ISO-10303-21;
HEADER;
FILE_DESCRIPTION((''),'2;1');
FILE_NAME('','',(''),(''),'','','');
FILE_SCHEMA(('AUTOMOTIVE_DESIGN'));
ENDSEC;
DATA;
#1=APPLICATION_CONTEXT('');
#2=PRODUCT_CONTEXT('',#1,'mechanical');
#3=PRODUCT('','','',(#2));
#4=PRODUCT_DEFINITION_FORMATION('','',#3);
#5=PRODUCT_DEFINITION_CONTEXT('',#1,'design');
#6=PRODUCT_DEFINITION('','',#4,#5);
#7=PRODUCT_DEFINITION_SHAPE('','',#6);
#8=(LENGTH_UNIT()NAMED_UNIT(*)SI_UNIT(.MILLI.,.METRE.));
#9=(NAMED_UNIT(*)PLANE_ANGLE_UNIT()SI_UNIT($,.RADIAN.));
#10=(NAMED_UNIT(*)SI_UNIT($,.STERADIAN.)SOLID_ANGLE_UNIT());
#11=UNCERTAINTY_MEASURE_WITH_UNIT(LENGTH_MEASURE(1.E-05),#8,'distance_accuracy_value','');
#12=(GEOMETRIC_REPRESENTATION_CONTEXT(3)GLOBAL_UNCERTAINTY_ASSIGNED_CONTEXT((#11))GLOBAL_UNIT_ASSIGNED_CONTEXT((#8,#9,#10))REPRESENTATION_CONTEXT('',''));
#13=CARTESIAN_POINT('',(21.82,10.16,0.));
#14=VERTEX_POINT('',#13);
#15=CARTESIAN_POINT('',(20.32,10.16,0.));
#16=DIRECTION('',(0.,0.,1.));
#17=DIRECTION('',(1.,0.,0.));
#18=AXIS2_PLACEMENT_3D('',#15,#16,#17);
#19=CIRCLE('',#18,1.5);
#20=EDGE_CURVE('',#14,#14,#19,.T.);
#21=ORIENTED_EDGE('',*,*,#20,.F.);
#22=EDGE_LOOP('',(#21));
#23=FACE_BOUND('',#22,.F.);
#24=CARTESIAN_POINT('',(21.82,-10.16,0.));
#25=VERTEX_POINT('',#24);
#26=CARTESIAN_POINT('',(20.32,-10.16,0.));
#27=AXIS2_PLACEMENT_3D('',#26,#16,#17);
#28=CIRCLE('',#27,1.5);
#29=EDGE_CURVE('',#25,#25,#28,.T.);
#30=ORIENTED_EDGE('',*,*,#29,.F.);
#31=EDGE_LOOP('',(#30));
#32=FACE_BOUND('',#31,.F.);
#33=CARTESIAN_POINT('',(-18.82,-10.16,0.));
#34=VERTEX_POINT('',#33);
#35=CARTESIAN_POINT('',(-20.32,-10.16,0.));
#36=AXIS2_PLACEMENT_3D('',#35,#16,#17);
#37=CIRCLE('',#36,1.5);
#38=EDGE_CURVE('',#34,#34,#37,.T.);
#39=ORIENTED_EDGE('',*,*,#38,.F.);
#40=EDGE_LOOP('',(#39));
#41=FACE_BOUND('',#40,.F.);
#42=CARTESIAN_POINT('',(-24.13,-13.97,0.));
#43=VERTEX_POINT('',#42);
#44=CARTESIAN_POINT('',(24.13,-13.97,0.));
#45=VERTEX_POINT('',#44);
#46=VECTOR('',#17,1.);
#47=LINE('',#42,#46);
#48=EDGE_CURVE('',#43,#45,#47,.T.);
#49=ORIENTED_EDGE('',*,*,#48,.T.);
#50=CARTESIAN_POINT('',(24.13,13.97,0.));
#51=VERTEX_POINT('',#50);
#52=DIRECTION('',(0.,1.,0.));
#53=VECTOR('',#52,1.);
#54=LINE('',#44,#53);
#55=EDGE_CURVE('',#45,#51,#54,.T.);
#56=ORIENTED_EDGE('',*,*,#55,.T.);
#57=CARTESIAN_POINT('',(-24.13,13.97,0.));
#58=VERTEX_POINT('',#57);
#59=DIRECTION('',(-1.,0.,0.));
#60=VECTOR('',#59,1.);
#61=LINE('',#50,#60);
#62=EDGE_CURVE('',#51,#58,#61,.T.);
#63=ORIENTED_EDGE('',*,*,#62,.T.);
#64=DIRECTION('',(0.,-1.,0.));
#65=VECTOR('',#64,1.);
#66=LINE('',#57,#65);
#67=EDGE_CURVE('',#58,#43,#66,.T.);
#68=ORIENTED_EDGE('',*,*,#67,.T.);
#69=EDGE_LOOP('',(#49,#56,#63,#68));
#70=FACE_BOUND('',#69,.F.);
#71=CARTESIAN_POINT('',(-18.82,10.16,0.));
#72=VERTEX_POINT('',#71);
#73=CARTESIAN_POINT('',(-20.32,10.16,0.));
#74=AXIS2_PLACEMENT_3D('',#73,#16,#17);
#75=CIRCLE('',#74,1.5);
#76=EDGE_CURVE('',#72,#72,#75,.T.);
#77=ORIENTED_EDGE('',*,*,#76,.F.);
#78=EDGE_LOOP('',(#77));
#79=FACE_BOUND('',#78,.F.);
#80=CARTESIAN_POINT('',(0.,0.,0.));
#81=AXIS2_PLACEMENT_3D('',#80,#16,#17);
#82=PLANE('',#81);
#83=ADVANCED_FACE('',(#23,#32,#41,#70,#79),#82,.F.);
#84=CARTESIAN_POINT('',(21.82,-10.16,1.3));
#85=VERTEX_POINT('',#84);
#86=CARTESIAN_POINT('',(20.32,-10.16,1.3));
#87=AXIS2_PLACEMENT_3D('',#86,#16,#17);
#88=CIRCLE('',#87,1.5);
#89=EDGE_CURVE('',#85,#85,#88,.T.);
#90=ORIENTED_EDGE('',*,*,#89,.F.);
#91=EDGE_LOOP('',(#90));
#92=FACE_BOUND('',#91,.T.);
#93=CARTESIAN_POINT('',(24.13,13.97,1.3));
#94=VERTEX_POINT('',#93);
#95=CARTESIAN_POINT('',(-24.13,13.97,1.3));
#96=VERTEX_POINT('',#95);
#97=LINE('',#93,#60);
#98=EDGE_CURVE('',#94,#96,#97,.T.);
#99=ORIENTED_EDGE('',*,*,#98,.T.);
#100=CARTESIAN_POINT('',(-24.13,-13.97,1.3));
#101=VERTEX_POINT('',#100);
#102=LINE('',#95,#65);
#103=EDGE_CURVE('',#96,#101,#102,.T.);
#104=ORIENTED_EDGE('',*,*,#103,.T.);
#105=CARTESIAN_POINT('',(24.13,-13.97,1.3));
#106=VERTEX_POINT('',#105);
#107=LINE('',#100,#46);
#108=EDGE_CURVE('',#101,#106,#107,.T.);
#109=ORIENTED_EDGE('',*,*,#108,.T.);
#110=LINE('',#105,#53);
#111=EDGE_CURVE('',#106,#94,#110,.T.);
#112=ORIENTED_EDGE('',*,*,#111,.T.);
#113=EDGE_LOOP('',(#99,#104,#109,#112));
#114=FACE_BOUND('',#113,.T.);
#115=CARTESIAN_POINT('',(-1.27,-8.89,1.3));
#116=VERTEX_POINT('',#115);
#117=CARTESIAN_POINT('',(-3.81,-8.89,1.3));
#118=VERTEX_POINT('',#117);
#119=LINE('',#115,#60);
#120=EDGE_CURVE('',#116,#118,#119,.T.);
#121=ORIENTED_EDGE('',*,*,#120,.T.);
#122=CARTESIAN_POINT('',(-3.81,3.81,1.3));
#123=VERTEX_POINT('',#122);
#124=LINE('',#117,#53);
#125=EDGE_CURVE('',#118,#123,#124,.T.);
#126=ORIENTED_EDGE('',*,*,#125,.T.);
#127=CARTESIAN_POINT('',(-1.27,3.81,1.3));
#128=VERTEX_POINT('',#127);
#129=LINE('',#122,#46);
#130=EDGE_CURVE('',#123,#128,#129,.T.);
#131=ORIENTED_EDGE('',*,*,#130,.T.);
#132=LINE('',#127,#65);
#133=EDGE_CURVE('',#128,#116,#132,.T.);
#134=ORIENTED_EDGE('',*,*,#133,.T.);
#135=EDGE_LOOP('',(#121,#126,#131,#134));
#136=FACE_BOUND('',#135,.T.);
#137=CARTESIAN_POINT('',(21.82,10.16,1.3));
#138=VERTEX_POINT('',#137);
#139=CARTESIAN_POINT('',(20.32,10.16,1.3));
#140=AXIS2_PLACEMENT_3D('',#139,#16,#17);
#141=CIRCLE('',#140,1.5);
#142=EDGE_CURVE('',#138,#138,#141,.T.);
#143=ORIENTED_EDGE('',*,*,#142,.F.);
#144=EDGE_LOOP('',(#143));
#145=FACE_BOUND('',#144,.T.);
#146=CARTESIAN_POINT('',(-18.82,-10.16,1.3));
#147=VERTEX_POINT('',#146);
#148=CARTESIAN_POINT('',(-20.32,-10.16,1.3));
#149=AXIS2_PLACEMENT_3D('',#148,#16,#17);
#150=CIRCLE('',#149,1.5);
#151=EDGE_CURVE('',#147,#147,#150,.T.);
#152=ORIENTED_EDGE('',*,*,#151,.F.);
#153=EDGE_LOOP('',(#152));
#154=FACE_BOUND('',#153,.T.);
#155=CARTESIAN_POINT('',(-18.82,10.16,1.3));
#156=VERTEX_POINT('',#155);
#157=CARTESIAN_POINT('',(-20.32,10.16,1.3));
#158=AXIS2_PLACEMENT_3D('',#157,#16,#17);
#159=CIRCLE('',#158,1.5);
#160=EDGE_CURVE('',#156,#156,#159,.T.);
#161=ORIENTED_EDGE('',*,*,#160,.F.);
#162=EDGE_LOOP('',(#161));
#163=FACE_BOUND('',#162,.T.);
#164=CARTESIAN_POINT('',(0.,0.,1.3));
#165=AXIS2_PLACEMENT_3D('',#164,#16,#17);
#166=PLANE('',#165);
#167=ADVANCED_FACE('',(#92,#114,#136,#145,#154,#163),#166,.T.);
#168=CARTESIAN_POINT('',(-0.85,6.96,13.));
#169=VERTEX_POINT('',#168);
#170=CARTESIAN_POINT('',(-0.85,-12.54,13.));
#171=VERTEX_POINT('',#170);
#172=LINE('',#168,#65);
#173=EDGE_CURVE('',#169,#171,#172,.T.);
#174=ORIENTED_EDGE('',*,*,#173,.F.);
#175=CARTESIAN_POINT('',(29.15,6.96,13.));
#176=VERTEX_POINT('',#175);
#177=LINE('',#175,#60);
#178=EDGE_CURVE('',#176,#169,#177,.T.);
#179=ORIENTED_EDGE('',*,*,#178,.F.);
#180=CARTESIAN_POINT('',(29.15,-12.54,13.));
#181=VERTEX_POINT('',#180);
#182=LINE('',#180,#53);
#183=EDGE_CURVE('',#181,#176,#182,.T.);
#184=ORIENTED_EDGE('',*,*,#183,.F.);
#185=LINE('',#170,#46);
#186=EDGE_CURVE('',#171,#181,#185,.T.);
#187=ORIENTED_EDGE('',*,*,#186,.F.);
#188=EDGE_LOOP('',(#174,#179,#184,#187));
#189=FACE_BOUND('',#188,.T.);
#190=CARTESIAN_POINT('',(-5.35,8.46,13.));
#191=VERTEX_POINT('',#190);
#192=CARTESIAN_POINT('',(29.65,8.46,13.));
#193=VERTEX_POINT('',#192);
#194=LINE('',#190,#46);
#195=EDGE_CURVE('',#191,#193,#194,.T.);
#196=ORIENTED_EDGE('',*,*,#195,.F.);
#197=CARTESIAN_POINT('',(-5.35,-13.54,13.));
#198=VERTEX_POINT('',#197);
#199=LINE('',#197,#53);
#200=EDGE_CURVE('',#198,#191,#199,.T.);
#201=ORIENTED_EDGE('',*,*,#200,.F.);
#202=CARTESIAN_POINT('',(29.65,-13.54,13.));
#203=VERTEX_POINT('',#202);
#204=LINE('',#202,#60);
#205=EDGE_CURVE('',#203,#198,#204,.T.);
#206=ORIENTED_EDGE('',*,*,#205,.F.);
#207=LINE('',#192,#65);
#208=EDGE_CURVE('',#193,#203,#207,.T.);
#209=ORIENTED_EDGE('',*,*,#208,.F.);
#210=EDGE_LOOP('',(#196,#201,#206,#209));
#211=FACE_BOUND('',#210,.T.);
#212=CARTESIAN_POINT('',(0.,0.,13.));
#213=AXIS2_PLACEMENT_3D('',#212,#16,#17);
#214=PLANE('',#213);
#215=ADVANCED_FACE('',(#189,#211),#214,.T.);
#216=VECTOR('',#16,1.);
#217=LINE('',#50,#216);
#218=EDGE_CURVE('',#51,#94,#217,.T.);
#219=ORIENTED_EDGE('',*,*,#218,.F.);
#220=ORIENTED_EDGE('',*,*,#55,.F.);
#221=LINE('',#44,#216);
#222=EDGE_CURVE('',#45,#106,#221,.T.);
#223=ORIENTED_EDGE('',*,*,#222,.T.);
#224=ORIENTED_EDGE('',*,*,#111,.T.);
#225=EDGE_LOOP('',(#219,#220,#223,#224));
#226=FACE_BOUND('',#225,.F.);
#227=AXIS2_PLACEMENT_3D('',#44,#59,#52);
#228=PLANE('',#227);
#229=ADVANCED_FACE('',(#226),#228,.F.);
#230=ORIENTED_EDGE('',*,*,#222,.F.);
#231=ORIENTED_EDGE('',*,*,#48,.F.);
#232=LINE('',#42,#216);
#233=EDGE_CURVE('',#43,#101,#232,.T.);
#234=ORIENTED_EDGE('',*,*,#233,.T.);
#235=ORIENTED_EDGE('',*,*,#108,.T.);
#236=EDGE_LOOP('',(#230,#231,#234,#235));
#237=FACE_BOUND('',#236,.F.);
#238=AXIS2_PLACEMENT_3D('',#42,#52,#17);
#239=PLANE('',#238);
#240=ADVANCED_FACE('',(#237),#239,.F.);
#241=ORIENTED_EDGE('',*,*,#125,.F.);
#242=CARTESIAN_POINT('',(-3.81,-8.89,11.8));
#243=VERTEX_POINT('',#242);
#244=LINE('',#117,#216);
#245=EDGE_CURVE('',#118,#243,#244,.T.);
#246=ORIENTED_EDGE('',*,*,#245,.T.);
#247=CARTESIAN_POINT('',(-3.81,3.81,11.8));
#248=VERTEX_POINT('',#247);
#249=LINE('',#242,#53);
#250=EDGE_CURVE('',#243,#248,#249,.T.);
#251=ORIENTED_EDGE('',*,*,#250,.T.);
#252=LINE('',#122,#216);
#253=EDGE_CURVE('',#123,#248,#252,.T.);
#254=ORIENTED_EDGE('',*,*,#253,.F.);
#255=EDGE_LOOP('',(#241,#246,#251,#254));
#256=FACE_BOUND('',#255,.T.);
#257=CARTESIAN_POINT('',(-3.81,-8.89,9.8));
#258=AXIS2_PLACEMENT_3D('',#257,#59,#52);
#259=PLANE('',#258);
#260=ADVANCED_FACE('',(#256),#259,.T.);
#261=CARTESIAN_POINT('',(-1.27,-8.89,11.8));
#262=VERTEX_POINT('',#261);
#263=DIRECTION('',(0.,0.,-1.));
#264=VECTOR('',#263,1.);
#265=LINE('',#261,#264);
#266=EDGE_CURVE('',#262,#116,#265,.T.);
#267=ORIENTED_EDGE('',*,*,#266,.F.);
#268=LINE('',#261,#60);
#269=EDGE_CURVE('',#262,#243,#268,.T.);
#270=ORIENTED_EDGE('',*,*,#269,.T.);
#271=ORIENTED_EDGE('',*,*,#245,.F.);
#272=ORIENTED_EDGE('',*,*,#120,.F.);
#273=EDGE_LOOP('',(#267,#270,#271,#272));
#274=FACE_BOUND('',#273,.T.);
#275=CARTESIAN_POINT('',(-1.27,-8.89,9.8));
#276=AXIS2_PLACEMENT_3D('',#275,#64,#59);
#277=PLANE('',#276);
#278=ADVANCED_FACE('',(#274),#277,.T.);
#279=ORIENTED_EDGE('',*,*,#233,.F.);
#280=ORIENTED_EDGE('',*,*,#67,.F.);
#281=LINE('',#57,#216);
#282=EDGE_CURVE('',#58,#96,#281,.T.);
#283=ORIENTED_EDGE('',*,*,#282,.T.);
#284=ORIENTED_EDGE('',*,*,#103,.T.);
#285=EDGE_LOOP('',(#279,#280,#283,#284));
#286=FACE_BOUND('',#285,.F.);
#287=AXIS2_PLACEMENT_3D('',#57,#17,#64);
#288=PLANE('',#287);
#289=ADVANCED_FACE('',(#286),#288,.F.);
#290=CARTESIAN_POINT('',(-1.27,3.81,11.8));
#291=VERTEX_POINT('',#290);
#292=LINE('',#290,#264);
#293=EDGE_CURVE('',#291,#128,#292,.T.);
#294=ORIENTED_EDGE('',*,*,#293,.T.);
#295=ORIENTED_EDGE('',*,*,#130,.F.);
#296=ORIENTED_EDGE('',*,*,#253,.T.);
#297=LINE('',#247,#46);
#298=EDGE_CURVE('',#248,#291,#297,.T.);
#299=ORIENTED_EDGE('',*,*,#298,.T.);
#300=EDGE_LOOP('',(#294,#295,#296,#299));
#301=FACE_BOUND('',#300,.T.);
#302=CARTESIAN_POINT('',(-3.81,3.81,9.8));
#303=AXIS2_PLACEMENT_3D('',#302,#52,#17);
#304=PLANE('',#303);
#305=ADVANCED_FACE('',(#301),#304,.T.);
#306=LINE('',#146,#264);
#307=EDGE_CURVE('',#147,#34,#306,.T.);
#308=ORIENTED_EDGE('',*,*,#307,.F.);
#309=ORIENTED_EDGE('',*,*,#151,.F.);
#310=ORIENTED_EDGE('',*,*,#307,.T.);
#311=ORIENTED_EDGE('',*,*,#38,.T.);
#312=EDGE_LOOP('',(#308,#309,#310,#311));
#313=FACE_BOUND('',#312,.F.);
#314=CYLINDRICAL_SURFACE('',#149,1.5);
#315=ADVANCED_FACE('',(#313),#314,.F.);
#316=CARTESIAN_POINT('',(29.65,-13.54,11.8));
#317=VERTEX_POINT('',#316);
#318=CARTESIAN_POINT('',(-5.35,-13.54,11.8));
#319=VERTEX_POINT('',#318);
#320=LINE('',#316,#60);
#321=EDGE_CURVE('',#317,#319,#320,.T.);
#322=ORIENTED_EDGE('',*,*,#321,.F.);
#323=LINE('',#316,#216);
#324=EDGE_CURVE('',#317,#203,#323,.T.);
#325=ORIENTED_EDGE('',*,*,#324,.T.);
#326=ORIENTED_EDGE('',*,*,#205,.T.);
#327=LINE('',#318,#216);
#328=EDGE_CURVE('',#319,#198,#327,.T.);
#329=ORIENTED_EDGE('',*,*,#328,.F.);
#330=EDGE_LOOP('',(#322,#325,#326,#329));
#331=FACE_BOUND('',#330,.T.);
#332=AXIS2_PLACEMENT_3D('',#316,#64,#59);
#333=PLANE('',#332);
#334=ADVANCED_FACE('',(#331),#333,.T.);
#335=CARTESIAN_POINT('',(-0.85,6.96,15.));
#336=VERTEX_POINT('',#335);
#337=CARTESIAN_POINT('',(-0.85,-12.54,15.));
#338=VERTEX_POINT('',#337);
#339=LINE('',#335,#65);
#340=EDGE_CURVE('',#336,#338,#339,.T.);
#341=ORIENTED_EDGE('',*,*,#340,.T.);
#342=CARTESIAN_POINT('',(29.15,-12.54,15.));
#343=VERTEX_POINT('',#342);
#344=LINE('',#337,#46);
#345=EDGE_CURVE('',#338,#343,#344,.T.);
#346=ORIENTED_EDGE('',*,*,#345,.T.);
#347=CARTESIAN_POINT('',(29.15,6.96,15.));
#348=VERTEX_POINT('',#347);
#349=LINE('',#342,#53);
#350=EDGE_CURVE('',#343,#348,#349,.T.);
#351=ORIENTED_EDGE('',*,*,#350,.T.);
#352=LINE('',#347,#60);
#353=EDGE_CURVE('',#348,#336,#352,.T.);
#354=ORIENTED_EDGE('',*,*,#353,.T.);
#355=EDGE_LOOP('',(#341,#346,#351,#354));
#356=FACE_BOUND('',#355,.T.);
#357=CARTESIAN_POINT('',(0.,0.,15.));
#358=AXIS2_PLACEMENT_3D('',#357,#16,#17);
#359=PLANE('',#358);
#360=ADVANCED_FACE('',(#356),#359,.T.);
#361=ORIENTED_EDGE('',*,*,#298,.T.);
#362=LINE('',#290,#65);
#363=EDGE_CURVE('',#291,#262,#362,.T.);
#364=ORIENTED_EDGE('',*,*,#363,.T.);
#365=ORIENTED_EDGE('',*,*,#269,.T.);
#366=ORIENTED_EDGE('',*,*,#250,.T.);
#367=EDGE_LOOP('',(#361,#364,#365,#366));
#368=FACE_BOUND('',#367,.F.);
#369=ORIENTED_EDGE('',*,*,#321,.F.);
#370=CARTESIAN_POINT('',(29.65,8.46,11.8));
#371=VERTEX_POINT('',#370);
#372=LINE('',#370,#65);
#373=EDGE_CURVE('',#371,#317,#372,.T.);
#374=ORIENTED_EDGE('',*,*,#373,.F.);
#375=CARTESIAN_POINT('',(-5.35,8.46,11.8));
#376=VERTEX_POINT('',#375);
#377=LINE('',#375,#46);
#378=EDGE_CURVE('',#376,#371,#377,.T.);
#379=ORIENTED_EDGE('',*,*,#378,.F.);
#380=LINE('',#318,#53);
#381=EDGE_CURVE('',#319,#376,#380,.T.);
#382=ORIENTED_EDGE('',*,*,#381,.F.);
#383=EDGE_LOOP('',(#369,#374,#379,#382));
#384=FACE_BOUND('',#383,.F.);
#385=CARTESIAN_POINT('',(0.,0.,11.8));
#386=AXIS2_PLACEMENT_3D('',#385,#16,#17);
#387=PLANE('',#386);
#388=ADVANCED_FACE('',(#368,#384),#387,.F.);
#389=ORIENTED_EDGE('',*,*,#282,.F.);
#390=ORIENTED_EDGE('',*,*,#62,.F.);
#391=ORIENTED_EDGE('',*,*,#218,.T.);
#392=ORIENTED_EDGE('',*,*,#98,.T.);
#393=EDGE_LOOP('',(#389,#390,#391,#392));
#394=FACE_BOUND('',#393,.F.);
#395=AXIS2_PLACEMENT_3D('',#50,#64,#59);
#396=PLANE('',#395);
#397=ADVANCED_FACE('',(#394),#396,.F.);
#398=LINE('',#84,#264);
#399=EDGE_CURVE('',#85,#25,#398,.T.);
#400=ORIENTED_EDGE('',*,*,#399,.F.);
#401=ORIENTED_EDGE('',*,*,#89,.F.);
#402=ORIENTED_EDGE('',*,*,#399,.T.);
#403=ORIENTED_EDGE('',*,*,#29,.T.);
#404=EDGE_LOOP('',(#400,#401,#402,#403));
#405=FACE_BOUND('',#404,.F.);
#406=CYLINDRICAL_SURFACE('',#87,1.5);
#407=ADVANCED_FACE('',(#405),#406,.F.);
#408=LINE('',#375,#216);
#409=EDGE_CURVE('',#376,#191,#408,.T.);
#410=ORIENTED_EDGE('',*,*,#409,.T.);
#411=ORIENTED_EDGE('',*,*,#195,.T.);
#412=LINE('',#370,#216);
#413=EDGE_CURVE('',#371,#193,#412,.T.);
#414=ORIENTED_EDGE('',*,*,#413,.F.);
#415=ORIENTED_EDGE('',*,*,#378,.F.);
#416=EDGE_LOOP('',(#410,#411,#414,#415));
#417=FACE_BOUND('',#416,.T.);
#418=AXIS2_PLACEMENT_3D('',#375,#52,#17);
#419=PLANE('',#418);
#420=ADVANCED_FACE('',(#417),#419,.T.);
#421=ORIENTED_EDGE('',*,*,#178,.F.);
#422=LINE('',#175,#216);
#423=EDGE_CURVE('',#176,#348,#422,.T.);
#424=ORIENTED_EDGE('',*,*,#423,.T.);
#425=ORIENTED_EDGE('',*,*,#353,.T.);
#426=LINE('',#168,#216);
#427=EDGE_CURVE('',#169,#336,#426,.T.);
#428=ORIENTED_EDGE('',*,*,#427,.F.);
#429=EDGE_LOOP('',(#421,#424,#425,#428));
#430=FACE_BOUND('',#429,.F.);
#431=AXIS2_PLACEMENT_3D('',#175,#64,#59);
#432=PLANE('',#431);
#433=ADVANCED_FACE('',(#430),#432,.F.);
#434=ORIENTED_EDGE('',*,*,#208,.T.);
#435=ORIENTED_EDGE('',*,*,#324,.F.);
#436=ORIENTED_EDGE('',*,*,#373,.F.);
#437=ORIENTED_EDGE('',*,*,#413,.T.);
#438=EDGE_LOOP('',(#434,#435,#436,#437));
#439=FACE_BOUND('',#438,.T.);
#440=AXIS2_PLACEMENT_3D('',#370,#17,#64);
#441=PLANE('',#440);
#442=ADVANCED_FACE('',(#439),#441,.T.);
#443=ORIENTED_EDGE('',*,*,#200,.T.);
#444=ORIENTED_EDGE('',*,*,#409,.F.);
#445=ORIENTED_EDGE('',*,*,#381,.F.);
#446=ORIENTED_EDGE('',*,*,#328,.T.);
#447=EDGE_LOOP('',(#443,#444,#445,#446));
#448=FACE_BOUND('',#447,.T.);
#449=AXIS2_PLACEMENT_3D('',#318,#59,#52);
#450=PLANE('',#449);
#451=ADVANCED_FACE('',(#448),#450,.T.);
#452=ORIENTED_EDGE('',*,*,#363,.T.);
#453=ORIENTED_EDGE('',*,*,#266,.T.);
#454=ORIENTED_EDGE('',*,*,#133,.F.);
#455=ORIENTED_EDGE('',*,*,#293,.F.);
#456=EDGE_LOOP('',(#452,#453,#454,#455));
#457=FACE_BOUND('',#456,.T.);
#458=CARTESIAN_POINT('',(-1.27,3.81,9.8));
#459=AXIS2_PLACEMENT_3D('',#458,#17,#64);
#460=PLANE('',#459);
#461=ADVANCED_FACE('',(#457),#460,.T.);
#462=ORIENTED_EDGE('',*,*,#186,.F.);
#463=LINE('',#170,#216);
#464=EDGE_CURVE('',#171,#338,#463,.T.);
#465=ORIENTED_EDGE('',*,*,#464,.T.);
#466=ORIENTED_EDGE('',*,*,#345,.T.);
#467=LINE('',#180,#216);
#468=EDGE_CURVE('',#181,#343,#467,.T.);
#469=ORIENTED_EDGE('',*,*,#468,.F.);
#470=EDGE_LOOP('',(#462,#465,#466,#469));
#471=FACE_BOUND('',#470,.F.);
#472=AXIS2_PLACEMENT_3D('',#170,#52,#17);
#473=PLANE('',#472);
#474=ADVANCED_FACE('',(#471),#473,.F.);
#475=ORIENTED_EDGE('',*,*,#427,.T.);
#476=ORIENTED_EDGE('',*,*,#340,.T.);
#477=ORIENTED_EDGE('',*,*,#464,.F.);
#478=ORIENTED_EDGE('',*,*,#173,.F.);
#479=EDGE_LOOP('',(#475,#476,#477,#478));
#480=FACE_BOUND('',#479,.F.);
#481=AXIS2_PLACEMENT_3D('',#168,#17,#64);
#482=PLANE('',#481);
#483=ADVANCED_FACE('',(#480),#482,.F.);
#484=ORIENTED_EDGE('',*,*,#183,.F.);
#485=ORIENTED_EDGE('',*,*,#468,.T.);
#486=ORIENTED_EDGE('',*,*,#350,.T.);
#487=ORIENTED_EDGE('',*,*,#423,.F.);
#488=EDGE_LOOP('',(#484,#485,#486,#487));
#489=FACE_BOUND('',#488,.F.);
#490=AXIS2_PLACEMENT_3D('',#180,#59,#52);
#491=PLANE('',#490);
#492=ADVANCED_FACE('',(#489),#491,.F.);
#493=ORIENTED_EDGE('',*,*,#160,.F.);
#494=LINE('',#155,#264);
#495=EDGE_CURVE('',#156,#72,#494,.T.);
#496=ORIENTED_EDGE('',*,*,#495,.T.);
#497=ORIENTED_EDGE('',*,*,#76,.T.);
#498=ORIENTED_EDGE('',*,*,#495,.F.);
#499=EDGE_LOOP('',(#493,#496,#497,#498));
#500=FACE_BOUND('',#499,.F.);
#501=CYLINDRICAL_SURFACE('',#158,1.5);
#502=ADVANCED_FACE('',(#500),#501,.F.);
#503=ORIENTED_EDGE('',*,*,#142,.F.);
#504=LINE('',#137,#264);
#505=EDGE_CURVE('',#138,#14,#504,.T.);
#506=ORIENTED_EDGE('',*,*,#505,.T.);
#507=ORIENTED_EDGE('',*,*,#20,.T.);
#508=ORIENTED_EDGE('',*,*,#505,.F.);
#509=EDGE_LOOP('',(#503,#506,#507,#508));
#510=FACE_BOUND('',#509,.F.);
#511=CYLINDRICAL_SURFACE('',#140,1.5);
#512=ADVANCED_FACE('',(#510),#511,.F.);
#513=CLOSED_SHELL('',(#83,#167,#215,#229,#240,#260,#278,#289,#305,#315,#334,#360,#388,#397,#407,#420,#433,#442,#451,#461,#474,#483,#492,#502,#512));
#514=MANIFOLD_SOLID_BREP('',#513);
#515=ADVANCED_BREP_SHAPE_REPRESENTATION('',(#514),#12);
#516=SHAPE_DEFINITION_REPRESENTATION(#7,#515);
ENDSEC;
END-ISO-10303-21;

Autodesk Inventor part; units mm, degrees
ref_plane "YZ Plane" through (0, 0, 0) normal (1, 0, 0) x (0, 1, 0)
ref_plane "XZ Plane" through (0, 0, 0) normal (0, 1, 0) x (-1, 0, 0)
ref_plane "XY Plane" through (0, 0, 0) normal (0, 0, 1) x (1, 0, 0)
sketch "スケッチ1" plane through (0, 0, 0) normal (0, 0, 1) x (1, 0, 0)
  line L0 (-24.13, -13.97) -> (24.13, -13.97)
  line L1 (24.13, -13.97) -> (24.13, 13.97)
  line L2 (24.13, 13.97) -> (-24.13, 13.97)
  line L3 (-24.13, 13.97) -> (-24.13, -13.97)
  point P0 (0, 0)
  point P1 (0, -13.97)
  point P2 (24.13, 0)
  dimension "d0" = 48.26
  dimension "d1" = 27.94
extrude "押し出し1" add sketch "スケッチ1" along normal blind 1.3
sketch "スケッチ2" plane through (0, 0, 1.3) normal (0, 0, 1) x (1, 0, 0)
  line L0 (-24.13, 13.97) -> (-24.13, -13.97) projected
  line L1 (24.13, 13.97) -> (-24.13, 13.97) projected
  line L2 (-24.13, -13.97) -> (24.13, -13.97) projected
  line L3 (24.13, -13.97) -> (24.13, 13.97) projected
  circle A0 centre (-20.32, 10.16) radius 1.5
  circle A1 centre (-20.32, -10.16) radius 1.5
  circle A2 centre (20.32, -10.16) radius 1.5
  circle A3 centre (20.32, 10.16) radius 1.5
  point P0 (0, 0)
  dimension "d4" = 3.81
  dimension "d5" = 3.81
  dimension "d6" = 3.81
  dimension "d7" = 3.81
  dimension "d8" = 3
extrude "押し出し2" cut sketch "スケッチ2" against normal blind 1.3 contours A0 | A1 | A2 | A3
sketch "スケッチ3" plane through (0, 0, 1.3) normal (0, 0, 1) x (1, 0, 0)
  circle A0 centre (-20.32, -10.16) radius 1.5 projected
  line L0 (-1.27, -8.89) -> (-3.81, -8.89)
  line L1 (-3.81, -8.89) -> (-3.81, 3.81)
  line L2 (-3.81, 3.81) -> (-1.27, 3.81)
  line L3 (-1.27, 3.81) -> (-1.27, -8.89)
  point P0 (0, 0)
  point P1 (-2.54, -7.62)
  point P2 (-2.54, -8.89)
  dimension "d11" = 17.78
  dimension "d12" = 2.54
  dimension "d13" = 2.54
  dimension "d14" = 12.7
  dimension "d15" = 1.27
extrude "押し出し3" add sketch "スケッチ3" along normal blind 8.5 contours L0 L1 L2 L3
sketch "スケッチ4" plane through (0, 0, 9.8) normal (0, 0, 1) x (1, 0, 0)
  line L0 (-3.81, 3.81) -> (-1.27, 3.81)
  line L1 (-1.27, 3.81) -> (-1.27, -8.89)
  line L2 (-1.27, -8.89) -> (-3.81, -8.89)
  line L3 (-3.81, -8.89) -> (-3.81, 3.81)
  point P0 (0, 0)
extrude "押し出し4" add sketch "スケッチ4" along normal blind 2
sketch "スケッチ5" plane through (0, 0, 11.8) normal (0, 0, 1) x (1, 0, 0)
  line L0 (-5.35, 8.46) -> (29.65, 8.46)
  line L1 (29.65, 8.46) -> (29.65, -13.54)
  line L2 (29.65, -13.54) -> (-5.35, -13.54)
  line L3 (-5.35, -13.54) -> (-5.35, 8.46)
  line L4 (-3.81, 3.81) -> (-3.81, -8.89) projected
  point P0 (0, 0)
  point P1 (-5.35, -2.54)
  point P2 (-3.81, -2.54)
  dimension "d20" = 35
  dimension "d21" = 22
  dimension "d22" = 1.54
extrude "押し出し5" add sketch "スケッチ5" along normal blind 1.2
sketch "スケッチ6" plane through (0, 0, 13) normal (0, 0, 1) x (1, 0, 0)
  line L0 (29.15, 6.96) -> (-0.85, 6.96)
  line L1 (-0.85, 6.96) -> (-0.85, -12.54)
  line L2 (-0.85, -12.54) -> (29.15, -12.54)
  line L3 (29.15, -12.54) -> (29.15, 6.96)
  line L4 (29.65, -13.54) -> (29.65, 8.46) projected
  point P0 (0, 0)
  dimension "d25" = 30
  dimension "d26" = 19.5
  dimension "d27" = 0.5
  dimension "d28" = 1
extrude "押し出し6" add sketch "スケッチ6" along normal blind 2
properties part number "LCD-RTC"
